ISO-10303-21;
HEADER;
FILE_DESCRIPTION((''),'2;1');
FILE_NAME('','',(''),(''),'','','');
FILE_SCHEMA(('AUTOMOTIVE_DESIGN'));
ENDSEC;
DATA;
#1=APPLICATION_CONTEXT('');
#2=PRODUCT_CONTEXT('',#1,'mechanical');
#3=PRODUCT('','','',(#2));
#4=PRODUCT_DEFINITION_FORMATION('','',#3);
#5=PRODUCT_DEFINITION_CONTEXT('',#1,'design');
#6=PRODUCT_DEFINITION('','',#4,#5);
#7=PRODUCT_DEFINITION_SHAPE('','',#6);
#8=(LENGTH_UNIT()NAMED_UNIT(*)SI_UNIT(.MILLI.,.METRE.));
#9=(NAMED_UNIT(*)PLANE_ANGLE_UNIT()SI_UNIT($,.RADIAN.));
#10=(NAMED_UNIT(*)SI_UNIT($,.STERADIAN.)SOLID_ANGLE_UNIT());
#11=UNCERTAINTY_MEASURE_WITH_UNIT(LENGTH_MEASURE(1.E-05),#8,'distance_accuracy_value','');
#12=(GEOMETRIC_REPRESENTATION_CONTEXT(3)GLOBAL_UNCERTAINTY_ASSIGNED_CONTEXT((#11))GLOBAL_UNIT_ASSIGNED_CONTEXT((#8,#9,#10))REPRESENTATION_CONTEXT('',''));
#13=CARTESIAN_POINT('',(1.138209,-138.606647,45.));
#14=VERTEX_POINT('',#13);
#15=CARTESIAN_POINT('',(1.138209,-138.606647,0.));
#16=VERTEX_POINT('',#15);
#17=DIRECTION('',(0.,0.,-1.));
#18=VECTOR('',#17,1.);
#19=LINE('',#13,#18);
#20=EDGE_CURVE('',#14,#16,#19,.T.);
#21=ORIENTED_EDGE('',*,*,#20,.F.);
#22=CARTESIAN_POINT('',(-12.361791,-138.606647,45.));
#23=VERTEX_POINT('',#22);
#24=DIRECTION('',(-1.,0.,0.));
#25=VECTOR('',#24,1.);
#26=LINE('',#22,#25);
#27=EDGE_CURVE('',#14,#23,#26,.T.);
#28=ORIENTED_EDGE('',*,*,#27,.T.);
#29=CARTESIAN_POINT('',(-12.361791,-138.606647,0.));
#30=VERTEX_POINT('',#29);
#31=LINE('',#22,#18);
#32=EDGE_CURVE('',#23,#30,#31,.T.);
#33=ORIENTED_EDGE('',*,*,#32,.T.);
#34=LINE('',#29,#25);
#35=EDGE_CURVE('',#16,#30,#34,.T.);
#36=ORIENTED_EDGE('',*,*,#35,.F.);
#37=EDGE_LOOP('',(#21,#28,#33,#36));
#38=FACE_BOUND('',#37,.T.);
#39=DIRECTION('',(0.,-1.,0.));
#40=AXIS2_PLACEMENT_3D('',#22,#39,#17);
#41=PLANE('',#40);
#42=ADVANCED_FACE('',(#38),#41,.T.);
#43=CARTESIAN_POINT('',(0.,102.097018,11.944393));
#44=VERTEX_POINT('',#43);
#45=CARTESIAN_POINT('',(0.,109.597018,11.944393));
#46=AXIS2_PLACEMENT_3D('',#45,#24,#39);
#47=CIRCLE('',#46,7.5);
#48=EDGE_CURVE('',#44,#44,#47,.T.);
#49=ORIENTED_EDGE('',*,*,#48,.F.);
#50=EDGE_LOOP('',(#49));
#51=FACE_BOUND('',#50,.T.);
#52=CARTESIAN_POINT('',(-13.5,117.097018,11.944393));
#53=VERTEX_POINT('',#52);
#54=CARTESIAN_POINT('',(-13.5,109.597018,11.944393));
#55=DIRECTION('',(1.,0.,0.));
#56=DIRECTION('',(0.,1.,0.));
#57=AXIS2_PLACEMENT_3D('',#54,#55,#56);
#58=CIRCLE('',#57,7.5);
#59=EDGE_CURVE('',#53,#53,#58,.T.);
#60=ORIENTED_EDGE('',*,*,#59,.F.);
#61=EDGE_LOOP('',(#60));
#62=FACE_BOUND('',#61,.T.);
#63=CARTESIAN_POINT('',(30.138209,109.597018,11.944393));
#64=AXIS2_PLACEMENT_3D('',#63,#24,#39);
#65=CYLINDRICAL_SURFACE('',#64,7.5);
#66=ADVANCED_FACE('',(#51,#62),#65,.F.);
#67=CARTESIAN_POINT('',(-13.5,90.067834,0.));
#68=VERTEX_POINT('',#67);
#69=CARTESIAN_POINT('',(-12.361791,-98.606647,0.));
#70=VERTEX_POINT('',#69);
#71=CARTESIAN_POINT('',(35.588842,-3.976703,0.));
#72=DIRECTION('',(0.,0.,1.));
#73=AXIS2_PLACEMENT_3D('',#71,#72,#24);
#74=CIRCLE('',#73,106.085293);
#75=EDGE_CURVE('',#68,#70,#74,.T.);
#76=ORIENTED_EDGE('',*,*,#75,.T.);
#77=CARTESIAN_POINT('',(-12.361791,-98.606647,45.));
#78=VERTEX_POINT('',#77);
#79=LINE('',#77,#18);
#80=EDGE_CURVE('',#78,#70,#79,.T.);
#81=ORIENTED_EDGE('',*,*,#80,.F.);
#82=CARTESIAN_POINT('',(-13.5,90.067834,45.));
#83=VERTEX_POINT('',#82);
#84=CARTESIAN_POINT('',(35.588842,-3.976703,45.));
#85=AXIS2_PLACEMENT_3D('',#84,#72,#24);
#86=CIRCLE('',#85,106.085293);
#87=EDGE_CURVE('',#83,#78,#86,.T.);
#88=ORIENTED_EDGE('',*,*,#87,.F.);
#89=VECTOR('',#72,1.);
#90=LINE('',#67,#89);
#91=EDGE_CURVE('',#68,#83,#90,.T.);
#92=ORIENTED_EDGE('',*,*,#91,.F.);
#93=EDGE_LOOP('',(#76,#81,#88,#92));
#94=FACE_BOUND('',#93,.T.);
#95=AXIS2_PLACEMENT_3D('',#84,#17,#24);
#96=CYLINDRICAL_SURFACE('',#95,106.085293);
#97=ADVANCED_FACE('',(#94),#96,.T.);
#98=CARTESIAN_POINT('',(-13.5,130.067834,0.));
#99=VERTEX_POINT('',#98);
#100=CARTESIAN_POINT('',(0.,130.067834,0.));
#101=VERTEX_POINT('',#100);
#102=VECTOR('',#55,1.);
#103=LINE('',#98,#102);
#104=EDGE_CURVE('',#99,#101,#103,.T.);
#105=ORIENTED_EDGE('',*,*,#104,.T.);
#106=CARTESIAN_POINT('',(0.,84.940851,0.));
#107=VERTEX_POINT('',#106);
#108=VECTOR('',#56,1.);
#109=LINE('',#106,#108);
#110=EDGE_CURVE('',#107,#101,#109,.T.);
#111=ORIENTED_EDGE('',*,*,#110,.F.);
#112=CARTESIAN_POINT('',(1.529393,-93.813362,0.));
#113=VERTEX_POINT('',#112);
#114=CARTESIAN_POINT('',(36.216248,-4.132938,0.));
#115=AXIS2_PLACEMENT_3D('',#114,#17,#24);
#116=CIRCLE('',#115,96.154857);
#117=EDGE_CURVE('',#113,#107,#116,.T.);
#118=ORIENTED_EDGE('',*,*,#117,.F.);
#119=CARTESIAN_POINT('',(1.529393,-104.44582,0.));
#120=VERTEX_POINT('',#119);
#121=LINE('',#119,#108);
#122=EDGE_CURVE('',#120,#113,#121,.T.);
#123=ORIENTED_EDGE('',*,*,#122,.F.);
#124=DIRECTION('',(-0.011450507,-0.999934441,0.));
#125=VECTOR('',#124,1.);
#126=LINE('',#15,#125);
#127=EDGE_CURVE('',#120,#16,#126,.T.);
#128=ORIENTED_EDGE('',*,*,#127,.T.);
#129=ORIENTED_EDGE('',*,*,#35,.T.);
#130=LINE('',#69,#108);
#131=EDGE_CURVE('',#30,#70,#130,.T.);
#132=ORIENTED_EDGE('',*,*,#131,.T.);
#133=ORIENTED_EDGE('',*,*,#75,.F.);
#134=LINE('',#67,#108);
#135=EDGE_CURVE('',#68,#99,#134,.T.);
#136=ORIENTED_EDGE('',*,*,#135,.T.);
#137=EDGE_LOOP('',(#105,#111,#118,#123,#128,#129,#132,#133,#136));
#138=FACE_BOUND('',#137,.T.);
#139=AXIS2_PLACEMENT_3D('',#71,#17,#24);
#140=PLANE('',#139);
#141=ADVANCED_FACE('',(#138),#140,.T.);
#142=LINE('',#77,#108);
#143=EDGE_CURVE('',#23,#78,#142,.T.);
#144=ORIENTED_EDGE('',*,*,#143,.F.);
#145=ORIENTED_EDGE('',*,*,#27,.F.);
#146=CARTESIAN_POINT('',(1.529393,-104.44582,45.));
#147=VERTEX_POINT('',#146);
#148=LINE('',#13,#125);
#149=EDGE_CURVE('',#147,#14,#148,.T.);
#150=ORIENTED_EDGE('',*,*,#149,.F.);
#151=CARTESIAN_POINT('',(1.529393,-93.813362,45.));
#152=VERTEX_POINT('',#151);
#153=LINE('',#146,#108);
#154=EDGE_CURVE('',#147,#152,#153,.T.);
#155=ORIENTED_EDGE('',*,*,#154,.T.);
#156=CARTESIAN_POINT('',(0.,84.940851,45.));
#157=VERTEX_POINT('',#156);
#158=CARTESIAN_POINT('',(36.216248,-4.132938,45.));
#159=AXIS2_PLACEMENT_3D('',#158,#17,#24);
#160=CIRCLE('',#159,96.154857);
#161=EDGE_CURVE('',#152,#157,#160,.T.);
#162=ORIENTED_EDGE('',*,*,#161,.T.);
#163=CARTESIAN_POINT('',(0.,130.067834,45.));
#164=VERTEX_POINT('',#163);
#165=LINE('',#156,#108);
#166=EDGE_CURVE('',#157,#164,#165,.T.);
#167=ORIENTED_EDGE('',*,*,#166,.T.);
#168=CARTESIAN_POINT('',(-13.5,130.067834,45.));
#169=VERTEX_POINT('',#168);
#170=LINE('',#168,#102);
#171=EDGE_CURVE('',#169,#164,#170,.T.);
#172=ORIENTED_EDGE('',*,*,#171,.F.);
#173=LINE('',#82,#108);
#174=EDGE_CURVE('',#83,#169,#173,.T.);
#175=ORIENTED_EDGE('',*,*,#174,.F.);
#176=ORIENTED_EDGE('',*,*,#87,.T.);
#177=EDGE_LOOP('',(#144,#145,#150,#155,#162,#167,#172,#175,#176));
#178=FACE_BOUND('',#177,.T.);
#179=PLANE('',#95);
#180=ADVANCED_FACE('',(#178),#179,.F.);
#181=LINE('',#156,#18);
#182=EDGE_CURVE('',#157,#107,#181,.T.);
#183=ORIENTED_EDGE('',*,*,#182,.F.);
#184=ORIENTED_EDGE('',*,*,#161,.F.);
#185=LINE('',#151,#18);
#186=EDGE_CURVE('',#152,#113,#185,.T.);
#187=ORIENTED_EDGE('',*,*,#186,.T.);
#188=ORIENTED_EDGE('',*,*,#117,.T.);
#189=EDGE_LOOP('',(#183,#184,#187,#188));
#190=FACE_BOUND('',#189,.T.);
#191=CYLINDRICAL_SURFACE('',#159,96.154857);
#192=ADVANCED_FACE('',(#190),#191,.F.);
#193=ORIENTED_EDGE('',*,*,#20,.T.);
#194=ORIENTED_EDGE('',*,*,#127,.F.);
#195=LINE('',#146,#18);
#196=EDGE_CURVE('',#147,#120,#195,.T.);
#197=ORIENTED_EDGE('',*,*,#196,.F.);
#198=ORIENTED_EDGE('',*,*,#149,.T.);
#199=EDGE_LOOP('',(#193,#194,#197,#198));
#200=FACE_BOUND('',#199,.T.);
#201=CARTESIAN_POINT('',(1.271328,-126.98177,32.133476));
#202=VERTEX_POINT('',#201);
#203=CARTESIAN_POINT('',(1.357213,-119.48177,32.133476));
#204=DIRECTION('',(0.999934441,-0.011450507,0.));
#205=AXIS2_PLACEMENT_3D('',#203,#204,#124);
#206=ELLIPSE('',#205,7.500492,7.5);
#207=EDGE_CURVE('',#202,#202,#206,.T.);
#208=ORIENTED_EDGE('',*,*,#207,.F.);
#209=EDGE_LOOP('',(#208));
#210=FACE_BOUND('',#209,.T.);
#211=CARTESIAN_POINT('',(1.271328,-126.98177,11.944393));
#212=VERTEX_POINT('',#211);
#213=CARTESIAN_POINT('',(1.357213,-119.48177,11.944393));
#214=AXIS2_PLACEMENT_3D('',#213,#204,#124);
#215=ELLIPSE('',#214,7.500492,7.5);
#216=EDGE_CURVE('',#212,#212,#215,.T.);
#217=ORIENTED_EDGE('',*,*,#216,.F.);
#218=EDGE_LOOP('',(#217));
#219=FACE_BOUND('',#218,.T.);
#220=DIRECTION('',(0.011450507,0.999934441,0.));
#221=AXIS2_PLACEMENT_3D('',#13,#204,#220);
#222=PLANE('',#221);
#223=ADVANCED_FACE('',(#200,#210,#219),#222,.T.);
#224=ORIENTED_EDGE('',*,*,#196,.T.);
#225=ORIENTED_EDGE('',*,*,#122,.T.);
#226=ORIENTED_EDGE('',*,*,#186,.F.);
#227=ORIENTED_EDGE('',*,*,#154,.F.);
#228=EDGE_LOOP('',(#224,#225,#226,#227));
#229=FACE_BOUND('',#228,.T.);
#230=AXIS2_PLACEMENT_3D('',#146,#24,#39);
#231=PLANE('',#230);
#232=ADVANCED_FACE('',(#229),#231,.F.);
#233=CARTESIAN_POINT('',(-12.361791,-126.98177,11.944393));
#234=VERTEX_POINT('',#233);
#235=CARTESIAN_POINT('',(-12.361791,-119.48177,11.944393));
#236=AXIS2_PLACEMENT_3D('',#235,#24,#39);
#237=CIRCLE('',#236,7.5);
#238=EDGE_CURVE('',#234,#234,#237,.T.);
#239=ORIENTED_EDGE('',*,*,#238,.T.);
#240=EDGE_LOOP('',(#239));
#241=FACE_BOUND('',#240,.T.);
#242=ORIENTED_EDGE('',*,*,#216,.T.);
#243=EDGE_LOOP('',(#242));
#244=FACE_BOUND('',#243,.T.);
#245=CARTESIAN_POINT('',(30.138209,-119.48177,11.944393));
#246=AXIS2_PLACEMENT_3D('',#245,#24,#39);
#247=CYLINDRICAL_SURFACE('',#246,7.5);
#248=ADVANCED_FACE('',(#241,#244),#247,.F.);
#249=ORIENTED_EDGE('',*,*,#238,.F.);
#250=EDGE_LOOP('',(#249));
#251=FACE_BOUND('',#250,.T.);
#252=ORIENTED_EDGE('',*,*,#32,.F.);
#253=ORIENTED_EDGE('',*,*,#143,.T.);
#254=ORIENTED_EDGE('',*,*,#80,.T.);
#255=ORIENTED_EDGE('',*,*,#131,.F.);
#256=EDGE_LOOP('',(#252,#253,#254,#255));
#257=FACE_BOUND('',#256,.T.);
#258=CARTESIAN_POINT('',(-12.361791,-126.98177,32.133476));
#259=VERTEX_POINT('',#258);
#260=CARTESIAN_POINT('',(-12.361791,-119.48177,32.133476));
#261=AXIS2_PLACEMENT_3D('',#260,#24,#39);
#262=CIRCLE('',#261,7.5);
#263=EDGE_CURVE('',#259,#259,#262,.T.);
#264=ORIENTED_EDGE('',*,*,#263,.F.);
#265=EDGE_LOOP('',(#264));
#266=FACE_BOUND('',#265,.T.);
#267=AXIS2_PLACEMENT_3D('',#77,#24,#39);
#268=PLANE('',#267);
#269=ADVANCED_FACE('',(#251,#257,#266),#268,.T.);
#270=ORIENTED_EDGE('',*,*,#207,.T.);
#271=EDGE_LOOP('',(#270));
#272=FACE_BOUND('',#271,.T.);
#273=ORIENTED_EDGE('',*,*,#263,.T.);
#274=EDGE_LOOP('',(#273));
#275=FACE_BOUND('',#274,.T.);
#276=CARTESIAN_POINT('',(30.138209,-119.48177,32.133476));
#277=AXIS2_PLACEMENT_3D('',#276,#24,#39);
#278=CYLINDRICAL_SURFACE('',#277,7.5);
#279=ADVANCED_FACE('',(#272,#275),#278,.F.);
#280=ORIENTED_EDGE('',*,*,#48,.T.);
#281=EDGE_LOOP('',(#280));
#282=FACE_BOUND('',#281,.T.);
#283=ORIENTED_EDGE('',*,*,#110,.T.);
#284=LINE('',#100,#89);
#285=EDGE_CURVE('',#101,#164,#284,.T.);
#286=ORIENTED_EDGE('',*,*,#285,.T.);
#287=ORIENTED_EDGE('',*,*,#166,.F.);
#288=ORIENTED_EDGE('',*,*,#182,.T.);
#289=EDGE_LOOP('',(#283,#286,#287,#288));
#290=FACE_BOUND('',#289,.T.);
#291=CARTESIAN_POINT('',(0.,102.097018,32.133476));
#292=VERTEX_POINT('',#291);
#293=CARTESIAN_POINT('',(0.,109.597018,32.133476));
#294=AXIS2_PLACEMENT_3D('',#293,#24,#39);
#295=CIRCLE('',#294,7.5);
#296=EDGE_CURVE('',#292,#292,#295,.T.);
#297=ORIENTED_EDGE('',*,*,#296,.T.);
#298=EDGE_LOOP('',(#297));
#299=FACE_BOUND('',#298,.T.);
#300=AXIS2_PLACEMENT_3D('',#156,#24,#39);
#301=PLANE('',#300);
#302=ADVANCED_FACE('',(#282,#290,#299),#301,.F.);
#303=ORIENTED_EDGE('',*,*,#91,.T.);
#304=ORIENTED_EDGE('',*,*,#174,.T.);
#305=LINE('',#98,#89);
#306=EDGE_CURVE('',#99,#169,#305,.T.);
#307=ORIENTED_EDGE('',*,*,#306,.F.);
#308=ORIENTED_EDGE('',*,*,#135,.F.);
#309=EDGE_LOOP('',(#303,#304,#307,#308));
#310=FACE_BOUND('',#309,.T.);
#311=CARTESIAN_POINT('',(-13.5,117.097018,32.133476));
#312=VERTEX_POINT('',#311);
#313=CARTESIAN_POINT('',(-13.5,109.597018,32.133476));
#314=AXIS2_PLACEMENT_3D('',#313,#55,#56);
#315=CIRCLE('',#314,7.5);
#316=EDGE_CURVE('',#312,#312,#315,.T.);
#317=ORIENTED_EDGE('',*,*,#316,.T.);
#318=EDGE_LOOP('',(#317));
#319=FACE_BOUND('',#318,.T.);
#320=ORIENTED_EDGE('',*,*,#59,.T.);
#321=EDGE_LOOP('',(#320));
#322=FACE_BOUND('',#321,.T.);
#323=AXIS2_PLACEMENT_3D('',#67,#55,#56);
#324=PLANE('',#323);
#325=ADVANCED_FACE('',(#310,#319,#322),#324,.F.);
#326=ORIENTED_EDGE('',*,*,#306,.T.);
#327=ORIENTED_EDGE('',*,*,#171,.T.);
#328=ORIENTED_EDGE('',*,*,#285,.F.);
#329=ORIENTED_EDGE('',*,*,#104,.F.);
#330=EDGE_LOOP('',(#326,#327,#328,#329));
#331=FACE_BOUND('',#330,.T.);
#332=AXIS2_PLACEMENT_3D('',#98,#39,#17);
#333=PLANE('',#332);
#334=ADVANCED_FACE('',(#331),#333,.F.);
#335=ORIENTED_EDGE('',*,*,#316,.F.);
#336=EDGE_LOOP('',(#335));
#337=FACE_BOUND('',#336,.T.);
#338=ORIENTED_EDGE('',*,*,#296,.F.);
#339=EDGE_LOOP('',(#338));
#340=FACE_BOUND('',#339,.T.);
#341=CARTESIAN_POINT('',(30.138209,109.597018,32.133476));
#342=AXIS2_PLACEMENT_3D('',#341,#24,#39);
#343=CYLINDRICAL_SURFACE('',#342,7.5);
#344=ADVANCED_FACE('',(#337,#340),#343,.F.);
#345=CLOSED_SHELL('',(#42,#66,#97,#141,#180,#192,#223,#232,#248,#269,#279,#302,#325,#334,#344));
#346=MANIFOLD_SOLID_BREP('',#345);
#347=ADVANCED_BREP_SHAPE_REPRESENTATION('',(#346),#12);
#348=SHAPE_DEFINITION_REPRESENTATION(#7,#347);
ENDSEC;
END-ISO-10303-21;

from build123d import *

# Parameters (mm, degrees)
BOSS_EXTRUDE1_DEPTH = 45
BOSS_EXTRUDE4_DEPTH = 45
BOSS_EXTRUDE5_DEPTH = 45
SKETCH9_R           = 7.5
CUT_EXTRUDE1_DEPTH  = 42.5


with BuildPart() as part:
    # Sketch3 → Boss-Extrude1 (new body)
    with BuildSketch(Plane(origin=(0, 0, 0), x_dir=(0, 1, 0), z_dir=(0, 0, 1))):
        with BuildLine():
            Line((-104.44581982, -1.529393099), (-93.813362353, -1.529393099))
            ThreePointArc((-93.813362353, -1.529393099), (-4.955593322, 59.935089755), (84.940851468, 0))
            Line((84.940851468, 0), (95.96089631, 0))
            ThreePointArc((95.96089631, 0), (-4.786263807, 70.493362274), (-104.44581982, -1.529393099))
        make_face()
    extrude(amount=BOSS_EXTRUDE1_DEPTH)

    # Sketch7 → Boss-Extrude4 (add)
    with BuildSketch(Plane(origin=(0, 95.96089631, 45), x_dir=(1, 0, 0), z_dir=(0, 0, -1))):
        Polygon((-13.5, 5.893061873), (-13.5, -34.106938127), (0, -34.106938127), (0, 0), align=None)
    extrude(amount=BOSS_EXTRUDE4_DEPTH)

    # Sketch8 → Boss-Extrude5 (add)
    with BuildSketch(Plane(origin=(1.529393099, -104.44581982, 0), x_dir=(1, 0, 0), z_dir=(0, 0, -1))):
        Polygon((-13.891184433, -5.839173076), (-13.891184433, 34.160826924), (-0.391184433, 34.160826924), (0, 0), align=None)
    extrude(amount=-BOSS_EXTRUDE5_DEPTH)

    # Sketch9 → Cut-Extrude1 (cut, symmetric)
    with BuildSketch(Plane(origin=(-12.361791334, 0, 0), x_dir=(0, -1, 0), z_dir=(-1, 0, 0))):
        with Locations((119.481769574, 11.944393397)):
            Circle(SKETCH9_R)
        with Locations((119.481769574, 32.133475773)):
            Circle(SKETCH9_R)
        with Locations((-109.597018442, 11.944393397)):
            Circle(SKETCH9_R)
        with Locations((-109.597018442, 32.133475773)):
            Circle(SKETCH9_R)
    extrude(amount=CUT_EXTRUDE1_DEPTH, both=True, mode=Mode.SUBTRACT)


solid = part.part
